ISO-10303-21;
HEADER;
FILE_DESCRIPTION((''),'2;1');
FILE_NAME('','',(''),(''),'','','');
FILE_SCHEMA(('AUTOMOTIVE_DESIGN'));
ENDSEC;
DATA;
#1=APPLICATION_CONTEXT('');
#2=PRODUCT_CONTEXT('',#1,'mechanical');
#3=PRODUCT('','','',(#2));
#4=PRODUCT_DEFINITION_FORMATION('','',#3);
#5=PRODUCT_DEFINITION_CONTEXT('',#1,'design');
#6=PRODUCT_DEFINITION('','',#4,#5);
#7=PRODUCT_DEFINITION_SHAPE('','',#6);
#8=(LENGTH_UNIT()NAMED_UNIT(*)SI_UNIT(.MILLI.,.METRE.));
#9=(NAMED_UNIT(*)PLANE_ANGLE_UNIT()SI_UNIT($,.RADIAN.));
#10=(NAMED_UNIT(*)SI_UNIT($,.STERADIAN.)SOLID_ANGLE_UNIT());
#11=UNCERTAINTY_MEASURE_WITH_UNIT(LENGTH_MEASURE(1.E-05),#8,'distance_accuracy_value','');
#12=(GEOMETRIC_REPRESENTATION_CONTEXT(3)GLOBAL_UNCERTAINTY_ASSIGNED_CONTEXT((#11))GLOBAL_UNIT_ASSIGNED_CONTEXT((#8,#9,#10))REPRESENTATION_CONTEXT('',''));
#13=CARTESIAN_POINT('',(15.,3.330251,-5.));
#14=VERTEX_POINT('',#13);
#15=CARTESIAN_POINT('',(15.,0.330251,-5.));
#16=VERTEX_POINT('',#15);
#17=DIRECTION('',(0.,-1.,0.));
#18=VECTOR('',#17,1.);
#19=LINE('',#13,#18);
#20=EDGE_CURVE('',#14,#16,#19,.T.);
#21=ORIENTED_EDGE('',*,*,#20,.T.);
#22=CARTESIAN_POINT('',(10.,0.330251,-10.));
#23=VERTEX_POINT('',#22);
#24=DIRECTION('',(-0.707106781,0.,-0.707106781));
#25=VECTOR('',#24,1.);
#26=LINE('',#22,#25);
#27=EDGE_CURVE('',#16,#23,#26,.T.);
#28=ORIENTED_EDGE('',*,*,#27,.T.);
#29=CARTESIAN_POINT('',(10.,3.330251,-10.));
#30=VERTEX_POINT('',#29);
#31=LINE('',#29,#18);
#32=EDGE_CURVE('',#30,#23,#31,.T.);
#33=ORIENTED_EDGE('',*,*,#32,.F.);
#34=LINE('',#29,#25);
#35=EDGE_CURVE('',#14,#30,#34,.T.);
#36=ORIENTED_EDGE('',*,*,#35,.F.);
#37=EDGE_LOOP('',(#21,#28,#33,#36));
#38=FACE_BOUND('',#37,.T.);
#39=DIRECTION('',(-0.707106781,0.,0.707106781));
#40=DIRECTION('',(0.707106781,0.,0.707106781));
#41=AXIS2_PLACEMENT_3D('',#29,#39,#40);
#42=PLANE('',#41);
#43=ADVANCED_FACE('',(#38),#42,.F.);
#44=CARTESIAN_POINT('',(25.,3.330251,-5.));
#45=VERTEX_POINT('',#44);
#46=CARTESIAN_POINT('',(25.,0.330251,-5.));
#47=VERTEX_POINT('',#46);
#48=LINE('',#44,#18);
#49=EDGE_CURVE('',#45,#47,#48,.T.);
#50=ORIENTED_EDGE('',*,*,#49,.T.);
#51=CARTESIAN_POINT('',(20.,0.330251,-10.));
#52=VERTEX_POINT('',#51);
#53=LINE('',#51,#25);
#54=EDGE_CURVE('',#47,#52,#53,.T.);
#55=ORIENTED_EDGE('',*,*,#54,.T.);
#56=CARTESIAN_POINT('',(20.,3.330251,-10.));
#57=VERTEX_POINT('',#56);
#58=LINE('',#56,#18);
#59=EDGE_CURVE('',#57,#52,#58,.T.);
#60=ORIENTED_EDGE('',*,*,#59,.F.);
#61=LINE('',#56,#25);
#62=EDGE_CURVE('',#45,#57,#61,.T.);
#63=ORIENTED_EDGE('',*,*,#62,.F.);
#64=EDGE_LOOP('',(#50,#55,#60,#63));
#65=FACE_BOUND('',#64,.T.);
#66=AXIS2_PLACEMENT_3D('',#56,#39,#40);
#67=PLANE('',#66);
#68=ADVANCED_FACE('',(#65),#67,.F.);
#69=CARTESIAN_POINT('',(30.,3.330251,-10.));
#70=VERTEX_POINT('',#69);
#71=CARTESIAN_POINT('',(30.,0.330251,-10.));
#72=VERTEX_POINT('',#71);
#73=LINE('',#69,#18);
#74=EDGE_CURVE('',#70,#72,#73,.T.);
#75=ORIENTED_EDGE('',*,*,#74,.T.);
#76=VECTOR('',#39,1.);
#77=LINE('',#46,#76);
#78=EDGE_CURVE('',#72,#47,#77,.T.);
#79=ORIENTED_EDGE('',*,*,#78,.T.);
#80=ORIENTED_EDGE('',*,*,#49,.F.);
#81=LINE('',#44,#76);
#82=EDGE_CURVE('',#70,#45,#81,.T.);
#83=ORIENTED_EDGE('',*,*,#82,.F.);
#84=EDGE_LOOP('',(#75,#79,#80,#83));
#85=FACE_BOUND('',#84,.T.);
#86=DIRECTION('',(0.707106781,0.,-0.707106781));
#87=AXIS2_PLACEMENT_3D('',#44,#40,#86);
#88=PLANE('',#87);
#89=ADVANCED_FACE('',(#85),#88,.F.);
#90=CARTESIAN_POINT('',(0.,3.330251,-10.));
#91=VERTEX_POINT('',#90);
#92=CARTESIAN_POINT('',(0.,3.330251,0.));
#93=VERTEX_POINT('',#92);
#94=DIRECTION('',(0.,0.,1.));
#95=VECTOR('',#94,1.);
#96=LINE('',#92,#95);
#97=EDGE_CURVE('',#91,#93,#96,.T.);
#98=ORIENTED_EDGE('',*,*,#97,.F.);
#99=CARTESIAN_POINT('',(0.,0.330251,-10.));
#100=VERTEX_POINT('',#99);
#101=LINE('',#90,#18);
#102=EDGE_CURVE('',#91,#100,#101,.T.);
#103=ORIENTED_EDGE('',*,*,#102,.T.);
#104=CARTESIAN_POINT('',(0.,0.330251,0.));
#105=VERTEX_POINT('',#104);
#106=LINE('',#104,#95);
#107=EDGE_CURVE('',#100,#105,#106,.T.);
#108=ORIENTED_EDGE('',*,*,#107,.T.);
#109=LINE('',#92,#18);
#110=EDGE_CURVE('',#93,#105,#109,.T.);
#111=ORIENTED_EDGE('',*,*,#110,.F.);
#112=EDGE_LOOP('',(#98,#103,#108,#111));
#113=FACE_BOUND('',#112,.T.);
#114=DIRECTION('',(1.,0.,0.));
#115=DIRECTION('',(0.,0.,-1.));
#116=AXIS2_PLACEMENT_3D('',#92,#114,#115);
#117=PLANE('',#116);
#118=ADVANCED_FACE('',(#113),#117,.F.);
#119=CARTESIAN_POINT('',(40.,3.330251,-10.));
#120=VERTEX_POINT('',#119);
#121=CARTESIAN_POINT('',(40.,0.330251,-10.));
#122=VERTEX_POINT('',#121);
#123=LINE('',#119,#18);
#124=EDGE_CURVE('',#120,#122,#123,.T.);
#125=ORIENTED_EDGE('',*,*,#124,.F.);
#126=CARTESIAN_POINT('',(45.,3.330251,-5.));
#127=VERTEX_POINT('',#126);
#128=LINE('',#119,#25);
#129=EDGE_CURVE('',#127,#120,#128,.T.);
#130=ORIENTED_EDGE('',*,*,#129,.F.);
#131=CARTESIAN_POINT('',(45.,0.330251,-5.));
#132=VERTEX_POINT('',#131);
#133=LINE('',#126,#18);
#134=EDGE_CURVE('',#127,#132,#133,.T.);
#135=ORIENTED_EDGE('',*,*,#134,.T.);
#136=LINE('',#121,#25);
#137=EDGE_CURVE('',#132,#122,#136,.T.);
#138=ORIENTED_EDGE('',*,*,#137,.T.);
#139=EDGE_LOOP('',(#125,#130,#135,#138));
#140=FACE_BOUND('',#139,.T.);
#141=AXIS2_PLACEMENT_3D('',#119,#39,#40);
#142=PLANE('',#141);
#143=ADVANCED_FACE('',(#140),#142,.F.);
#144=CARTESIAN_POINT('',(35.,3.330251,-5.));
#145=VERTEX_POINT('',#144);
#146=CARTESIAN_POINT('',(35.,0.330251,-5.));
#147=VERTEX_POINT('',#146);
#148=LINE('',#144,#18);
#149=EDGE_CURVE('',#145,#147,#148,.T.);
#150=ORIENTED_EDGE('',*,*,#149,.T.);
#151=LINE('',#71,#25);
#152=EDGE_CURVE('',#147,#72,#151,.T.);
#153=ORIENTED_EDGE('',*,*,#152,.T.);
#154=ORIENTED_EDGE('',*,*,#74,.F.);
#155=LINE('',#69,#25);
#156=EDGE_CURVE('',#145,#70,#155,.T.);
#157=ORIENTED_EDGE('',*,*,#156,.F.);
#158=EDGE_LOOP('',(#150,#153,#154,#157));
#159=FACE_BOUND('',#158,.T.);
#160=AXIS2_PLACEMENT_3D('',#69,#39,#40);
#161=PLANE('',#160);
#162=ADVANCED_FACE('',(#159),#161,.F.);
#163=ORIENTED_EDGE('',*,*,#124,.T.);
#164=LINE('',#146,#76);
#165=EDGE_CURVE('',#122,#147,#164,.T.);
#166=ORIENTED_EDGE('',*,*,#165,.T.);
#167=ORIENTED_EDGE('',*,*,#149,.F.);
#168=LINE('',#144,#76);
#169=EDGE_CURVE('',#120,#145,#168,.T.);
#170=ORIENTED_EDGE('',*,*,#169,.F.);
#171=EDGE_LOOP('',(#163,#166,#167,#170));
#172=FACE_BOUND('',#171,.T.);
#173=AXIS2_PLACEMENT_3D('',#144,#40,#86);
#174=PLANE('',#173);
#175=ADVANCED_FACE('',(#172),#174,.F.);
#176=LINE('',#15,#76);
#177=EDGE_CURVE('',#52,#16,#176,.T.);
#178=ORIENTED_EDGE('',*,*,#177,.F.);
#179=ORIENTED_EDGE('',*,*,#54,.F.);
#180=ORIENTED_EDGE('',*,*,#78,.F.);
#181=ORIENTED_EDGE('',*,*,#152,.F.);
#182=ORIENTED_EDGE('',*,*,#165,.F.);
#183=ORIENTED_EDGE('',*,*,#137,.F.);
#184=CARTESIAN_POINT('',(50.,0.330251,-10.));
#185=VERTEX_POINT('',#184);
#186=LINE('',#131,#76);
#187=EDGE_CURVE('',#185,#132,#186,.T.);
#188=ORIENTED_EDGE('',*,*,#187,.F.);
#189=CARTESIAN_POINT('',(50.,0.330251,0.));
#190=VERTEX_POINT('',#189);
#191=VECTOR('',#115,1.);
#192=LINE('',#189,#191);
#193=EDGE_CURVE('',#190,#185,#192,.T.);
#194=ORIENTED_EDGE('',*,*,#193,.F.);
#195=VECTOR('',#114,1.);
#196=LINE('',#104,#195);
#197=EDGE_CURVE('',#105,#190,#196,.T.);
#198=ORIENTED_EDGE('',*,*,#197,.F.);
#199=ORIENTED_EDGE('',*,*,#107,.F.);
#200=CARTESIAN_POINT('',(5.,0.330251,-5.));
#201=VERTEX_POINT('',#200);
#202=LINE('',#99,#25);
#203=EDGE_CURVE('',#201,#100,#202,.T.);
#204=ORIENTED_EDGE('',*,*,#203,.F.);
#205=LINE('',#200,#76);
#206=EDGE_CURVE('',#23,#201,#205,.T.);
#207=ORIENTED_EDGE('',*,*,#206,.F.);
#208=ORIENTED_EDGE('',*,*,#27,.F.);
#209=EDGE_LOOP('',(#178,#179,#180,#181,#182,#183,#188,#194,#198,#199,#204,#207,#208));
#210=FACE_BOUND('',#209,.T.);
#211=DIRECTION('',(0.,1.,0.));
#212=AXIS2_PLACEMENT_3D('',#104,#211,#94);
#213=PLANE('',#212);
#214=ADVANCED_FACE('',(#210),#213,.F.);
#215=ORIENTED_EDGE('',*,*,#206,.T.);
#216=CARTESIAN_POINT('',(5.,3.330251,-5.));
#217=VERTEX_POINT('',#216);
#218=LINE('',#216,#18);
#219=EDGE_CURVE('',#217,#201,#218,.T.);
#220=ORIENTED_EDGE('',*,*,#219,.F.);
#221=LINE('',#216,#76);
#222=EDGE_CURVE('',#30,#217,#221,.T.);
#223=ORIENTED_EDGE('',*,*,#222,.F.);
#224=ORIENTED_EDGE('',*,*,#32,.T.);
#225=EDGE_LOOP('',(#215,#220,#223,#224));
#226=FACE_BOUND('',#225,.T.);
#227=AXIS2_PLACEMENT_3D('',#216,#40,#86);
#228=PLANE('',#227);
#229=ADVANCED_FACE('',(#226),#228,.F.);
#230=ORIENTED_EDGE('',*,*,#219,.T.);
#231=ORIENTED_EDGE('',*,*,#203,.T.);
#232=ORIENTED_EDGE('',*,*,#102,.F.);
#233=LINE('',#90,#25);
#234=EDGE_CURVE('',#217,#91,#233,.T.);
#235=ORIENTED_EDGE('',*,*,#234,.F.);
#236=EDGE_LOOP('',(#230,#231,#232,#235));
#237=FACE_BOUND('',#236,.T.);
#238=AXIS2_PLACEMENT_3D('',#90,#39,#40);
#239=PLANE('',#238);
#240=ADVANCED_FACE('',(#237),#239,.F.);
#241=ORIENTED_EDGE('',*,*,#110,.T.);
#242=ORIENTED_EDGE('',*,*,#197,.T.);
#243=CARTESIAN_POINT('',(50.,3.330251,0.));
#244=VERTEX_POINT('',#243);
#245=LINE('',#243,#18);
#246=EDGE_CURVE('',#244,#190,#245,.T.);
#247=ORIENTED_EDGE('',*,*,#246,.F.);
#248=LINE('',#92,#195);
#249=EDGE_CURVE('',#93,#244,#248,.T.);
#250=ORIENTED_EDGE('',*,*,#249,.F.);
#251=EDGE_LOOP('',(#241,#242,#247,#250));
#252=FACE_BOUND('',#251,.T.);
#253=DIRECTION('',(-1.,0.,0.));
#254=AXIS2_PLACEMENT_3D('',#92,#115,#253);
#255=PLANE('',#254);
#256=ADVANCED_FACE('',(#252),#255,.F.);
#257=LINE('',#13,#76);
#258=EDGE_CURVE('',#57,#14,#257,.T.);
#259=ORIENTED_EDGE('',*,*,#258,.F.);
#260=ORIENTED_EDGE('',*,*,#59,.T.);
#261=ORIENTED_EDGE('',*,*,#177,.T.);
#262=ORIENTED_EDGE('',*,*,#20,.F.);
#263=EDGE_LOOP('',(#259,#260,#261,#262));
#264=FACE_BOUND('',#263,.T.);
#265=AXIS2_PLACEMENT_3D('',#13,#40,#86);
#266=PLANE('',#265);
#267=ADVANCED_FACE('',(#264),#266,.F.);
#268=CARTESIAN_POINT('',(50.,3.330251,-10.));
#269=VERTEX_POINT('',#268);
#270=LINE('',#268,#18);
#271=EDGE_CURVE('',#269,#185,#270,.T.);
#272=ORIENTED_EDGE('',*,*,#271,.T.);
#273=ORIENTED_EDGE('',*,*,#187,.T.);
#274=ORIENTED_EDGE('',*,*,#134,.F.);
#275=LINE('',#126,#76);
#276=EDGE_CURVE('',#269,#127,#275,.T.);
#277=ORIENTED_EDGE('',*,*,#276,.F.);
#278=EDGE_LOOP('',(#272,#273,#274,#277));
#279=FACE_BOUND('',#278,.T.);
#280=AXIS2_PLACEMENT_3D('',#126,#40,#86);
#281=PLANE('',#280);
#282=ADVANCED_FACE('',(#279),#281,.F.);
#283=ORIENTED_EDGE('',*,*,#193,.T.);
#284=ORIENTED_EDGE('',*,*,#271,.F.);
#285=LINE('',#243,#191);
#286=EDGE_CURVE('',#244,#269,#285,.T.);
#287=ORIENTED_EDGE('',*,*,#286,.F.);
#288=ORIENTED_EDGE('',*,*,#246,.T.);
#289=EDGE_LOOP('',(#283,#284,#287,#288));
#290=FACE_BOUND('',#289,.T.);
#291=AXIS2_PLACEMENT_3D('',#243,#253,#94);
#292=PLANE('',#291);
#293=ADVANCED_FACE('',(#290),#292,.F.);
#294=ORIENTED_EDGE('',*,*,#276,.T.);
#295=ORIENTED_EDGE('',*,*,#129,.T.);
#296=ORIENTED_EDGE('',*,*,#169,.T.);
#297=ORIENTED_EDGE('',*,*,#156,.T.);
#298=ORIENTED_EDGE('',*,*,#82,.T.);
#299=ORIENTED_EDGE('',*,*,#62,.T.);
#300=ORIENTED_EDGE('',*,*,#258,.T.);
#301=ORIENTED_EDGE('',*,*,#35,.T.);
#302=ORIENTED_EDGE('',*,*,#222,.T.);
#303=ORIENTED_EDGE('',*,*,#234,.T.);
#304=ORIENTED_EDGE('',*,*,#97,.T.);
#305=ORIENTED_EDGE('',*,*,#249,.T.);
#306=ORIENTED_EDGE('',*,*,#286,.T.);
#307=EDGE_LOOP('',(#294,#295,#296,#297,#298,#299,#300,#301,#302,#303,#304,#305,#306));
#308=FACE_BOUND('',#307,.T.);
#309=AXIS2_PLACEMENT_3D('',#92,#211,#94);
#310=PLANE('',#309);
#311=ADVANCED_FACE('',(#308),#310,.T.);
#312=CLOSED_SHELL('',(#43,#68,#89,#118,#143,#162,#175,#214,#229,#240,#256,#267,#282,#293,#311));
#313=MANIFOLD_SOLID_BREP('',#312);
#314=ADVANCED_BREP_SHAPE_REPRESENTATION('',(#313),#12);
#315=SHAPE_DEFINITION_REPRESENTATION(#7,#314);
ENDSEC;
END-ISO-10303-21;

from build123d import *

# Parameters (mm, degrees)
BOSS_EXTRUDE1_DEPTH = 3


with BuildPart() as part:
    # Sketch1 → Boss-Extrude1 (new body)
    with BuildSketch(Plane(origin=(0, 0.330251497, 0), x_dir=(1, 0, 0), z_dir=(0, 1, 0))):
        Polygon((0, 0), (0, 10), (5, 5), (10, 10), (15, 5), (20, 10), (25, 5), (30, 10), (35, 5), (40, 10), (45, 5), (50, 10), (50, 0), align=None)
    extrude(amount=BOSS_EXTRUDE1_DEPTH)


solid = part.part
